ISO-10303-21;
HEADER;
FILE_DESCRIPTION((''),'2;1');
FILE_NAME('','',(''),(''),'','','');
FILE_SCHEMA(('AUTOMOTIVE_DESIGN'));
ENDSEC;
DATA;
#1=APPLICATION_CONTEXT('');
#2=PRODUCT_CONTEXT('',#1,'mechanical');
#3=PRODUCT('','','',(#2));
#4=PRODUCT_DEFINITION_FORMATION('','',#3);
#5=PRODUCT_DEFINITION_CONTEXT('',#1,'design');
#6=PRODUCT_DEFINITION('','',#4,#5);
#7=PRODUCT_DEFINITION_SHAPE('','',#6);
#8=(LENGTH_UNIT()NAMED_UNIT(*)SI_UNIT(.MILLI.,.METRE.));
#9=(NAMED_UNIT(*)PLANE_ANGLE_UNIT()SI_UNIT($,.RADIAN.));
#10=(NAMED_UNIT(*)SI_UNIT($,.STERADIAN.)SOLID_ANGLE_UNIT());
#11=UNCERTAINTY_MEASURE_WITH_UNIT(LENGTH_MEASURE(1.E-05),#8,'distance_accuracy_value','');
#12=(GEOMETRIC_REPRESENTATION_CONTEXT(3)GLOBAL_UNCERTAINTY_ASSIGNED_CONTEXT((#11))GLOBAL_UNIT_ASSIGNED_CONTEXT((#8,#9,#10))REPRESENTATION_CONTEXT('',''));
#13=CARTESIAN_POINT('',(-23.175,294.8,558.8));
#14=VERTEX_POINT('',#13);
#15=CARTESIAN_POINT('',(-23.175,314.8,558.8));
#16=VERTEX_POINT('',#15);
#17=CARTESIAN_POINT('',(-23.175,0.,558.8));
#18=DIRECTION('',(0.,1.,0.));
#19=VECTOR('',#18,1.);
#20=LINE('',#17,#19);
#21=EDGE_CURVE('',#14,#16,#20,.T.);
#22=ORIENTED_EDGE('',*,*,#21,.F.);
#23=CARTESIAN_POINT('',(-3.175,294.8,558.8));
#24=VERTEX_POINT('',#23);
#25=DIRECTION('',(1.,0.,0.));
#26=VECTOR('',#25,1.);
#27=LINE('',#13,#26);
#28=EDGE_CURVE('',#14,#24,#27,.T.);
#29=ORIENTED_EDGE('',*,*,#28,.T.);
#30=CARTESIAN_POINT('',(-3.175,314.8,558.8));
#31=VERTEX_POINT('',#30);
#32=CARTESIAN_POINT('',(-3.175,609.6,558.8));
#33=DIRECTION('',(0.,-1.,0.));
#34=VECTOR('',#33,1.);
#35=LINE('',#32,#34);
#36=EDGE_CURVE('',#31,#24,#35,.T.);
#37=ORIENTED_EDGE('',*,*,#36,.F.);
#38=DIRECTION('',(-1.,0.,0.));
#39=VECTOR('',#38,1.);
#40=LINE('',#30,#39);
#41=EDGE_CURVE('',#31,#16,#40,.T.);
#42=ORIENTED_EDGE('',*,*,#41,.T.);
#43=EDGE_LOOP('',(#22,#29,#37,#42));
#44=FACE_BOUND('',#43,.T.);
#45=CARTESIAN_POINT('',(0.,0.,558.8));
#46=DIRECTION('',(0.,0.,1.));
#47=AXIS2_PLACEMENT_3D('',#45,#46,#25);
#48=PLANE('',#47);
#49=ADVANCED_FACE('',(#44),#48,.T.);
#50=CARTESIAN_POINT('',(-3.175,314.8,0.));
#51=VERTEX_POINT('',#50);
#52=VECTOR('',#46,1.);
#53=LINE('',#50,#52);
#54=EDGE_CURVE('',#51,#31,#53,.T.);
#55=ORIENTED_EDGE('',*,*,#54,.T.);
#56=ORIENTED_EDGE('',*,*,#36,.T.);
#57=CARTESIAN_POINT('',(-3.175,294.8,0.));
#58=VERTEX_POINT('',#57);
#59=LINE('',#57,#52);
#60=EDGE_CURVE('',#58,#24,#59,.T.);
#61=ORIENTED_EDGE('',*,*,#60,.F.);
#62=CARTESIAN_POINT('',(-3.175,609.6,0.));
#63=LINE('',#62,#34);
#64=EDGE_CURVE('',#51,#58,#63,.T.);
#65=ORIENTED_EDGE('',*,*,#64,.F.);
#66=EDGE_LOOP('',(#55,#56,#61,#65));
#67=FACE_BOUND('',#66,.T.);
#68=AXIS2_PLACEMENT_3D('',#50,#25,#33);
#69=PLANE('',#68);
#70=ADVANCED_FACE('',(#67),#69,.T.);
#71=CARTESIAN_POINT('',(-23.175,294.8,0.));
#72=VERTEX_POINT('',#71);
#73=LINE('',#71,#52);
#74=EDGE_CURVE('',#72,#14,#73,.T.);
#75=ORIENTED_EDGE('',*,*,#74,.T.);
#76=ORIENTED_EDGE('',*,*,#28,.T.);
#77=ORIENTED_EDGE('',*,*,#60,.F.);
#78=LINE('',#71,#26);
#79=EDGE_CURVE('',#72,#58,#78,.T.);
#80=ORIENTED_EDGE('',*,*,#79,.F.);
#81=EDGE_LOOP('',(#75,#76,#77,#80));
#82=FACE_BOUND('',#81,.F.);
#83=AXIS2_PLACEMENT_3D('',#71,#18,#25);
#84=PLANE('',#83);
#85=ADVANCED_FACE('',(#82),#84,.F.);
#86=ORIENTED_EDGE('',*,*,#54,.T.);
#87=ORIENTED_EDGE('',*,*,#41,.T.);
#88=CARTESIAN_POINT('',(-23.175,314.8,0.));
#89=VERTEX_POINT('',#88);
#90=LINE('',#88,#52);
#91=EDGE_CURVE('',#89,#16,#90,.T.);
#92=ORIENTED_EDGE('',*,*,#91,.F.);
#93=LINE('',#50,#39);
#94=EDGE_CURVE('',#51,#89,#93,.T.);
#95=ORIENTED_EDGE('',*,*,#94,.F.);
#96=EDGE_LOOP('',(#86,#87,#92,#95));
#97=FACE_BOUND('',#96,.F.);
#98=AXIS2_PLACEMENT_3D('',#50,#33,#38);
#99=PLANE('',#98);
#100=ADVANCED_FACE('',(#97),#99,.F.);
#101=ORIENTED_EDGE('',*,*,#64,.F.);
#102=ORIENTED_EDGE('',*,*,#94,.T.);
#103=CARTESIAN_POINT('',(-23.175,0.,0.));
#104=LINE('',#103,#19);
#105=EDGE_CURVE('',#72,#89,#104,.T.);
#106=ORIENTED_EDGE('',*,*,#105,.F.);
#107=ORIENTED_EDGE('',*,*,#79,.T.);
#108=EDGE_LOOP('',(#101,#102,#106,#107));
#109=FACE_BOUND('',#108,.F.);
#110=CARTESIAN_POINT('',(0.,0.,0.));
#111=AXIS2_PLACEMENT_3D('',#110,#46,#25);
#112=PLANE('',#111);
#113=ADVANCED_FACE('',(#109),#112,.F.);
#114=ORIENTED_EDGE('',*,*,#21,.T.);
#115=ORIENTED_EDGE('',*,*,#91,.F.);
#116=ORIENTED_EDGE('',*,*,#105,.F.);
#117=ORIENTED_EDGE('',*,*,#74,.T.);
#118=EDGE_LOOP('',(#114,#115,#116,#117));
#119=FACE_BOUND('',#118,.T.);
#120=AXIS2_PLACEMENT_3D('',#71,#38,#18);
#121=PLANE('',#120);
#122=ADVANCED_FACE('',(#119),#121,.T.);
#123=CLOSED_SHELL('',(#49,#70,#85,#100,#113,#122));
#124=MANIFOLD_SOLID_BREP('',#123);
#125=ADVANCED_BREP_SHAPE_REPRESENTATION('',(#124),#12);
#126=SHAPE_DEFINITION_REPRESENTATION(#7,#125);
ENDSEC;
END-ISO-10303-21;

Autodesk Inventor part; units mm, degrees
ref_plane "YZ Plane" through (0, 0, 0) normal (1, 0, 0) x (0, 1, 0)
ref_plane "XZ Plane" through (0, 0, 0) normal (0, 1, 0) x (-1, 0, 0)
ref_plane "Work Plane1" through (0, 0, 0) normal (0, 0, 1) x (1, 0, 0)
sketch "Sketch1" plane through (0, 0, 0) normal (0, 0, 1) x (1, 0, 0)
  line L0 (-3.175, 609.6) -> (-3.175, 0) projected
  line L1 (-3.175, 609.6) -> (-23.175, 609.6) projected
  line L2 (-23.175, 0) -> (-23.175, 609.6) projected
  line L3 (-3.175, 0) -> (-23.175, 0) projected
  line L4 (-3.175, 314.8) -> (-23.175, 314.8)
  line L5 (-23.175, 314.8) -> (-23.175, 294.8)
  line L6 (-23.175, 294.8) -> (-3.175, 294.8)
  line L7 (-3.175, 294.8) -> (-3.175, 314.8)
  line L8 (-3.175, 314.8) -> (-23.175, 294.8) construction
  line L9 (-23.175, 314.8) -> (-3.175, 294.8) construction
  point P0 (0, 0)
  point P1 (-13.175, 304.8)
  dimension "d0" = 20
  dimension "d1" = 20
ref_plane "Work Plane2" through (-23.175, 0, 558.8) normal (0, 0, -1) x (0, 1, 0)
extrude "Extrusion1" add sketch "Sketch1" along normal up to surface (558.8 mm away) contours L0 L6 L2 L4
properties part number "Ross Rail"
